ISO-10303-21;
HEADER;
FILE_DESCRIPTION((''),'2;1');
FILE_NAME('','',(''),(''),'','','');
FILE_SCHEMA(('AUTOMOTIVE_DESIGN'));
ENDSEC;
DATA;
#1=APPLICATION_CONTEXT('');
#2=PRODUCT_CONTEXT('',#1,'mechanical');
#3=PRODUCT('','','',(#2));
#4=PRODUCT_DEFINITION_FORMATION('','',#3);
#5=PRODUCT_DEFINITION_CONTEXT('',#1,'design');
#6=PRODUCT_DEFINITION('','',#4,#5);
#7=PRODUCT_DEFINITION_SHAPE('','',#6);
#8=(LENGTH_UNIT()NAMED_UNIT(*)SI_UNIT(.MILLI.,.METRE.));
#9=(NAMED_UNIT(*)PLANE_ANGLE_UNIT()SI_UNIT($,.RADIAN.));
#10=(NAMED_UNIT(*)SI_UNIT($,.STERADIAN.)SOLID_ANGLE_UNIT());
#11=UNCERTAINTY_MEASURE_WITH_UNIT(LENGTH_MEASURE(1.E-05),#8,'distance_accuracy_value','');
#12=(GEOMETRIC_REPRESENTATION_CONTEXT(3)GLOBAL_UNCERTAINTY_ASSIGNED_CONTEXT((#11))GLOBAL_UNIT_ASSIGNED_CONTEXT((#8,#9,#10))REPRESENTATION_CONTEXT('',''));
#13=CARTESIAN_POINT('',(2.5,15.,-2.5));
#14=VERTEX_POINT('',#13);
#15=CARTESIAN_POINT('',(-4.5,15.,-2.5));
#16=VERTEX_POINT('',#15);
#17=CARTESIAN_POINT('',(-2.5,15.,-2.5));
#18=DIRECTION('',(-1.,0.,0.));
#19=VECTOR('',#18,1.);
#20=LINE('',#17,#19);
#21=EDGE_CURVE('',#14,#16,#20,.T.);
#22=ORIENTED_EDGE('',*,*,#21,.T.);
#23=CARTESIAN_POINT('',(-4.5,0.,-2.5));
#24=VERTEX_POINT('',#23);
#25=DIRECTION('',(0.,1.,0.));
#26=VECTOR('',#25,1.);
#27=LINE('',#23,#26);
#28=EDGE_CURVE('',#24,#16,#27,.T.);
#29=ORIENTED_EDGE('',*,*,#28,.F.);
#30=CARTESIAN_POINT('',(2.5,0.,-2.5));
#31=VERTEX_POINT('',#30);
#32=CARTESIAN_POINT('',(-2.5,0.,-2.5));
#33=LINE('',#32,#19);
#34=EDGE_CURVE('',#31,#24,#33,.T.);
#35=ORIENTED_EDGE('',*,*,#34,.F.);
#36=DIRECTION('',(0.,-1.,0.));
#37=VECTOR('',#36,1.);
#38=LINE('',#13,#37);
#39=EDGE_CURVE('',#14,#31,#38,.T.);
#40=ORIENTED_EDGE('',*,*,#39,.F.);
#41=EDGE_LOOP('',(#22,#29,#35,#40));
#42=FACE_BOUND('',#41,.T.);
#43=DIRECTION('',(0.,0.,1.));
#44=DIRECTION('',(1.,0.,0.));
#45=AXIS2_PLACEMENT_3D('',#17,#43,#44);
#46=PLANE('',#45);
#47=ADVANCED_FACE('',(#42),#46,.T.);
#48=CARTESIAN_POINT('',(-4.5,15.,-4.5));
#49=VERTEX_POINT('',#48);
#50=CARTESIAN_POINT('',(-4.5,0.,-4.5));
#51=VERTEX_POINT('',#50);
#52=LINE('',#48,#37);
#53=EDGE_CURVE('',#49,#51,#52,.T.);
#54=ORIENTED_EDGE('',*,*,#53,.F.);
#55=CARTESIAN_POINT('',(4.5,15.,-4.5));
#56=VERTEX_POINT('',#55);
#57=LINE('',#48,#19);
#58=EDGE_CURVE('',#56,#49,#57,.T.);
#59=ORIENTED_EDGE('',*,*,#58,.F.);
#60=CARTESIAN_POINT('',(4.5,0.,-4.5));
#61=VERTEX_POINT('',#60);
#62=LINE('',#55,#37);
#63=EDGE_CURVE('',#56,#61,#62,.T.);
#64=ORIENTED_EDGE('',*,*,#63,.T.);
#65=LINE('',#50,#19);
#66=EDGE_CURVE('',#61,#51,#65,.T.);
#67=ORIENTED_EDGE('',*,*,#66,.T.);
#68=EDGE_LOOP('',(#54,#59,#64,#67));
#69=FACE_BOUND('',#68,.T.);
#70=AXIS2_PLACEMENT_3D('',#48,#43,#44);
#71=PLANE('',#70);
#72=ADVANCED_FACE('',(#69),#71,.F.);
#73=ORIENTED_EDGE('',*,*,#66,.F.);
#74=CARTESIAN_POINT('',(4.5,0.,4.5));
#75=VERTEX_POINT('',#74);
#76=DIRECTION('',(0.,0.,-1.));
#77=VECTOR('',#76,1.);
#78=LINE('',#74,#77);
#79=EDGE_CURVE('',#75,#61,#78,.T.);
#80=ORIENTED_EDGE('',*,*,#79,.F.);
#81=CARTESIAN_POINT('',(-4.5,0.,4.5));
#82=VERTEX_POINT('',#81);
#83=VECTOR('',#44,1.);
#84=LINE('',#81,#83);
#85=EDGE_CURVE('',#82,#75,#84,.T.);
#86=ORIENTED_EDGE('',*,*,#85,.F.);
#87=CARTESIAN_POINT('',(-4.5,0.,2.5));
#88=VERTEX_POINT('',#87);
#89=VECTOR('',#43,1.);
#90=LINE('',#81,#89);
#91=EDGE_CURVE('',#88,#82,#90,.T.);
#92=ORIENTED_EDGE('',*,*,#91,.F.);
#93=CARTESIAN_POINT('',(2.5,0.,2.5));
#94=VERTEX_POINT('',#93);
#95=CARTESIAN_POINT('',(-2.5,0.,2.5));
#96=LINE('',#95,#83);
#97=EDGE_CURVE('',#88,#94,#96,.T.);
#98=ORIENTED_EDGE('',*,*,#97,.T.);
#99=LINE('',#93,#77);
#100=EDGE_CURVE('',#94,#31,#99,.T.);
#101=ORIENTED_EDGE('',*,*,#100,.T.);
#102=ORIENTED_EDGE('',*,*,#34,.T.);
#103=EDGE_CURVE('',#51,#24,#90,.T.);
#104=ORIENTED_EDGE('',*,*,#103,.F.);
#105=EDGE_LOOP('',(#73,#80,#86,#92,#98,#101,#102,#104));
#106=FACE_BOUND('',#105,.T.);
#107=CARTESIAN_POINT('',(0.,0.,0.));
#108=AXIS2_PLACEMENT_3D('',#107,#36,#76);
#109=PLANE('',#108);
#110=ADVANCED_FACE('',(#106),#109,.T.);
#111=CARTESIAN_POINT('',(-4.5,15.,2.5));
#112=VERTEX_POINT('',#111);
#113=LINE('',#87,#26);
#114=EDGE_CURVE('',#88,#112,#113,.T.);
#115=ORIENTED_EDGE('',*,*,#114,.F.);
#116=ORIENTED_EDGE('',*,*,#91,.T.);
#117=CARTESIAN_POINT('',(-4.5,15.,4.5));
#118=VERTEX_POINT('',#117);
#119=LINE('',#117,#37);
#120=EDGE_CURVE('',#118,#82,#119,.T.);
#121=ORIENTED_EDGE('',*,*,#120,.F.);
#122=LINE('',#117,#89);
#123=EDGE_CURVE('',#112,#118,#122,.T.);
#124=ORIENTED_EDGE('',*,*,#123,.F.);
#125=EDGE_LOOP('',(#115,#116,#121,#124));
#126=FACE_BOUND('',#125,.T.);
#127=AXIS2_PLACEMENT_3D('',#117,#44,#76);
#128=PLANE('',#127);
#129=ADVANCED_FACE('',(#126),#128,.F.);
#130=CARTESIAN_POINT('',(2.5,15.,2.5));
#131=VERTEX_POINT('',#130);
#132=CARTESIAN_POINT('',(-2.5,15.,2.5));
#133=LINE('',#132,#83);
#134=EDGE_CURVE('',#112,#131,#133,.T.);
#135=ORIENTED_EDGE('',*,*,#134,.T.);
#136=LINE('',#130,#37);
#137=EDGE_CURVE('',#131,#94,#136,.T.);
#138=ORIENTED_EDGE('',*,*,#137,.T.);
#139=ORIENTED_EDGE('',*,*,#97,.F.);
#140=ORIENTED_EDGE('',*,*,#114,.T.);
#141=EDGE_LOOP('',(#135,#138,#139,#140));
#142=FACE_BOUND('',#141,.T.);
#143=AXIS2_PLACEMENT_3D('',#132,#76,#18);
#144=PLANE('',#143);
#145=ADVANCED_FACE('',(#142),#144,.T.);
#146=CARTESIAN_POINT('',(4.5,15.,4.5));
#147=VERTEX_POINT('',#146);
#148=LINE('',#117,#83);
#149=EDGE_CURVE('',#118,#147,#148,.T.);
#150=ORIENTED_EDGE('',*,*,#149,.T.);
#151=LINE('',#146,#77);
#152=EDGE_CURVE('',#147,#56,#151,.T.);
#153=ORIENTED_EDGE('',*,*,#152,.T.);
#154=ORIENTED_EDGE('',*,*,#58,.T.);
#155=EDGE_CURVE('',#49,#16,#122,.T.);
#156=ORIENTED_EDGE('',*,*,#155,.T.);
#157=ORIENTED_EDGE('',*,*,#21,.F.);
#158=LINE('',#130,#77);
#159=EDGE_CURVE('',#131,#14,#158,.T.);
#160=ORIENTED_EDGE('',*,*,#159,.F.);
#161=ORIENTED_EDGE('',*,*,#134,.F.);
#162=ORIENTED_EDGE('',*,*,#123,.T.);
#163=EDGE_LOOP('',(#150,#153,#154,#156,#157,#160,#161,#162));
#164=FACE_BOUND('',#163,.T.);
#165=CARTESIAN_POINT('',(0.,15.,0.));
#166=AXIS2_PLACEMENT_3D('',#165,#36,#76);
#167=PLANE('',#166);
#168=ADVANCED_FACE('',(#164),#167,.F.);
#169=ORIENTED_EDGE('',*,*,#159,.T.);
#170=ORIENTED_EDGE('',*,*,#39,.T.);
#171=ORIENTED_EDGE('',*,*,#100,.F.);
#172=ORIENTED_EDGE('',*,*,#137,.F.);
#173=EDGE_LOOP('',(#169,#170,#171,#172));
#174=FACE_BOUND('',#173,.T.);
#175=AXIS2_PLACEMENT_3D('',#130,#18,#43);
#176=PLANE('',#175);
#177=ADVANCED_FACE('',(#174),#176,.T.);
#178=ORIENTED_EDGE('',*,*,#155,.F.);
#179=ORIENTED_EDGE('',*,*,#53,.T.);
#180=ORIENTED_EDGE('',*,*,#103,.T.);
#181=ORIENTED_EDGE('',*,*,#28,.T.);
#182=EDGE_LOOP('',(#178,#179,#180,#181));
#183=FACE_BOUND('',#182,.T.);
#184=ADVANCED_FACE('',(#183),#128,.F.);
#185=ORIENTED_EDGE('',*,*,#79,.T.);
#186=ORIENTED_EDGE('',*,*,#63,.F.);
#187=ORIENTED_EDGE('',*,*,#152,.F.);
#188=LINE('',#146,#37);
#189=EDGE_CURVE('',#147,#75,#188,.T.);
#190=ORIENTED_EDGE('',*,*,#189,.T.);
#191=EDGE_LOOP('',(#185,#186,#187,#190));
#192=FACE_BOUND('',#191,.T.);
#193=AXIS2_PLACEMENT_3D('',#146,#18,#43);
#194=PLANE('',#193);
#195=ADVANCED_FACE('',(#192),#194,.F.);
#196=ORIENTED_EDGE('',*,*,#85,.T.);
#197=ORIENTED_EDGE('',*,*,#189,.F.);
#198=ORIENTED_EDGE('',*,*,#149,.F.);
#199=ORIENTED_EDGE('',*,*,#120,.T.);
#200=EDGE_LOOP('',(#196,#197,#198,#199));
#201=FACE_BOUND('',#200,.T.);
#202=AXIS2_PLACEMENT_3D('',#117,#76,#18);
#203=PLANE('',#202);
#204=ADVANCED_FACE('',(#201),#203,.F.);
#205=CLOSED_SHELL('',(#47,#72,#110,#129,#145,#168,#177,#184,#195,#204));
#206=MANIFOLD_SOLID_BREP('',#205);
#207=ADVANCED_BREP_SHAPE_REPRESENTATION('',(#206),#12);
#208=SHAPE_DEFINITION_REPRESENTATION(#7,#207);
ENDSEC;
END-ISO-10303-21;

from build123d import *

# Parameters (mm, degrees)
SKETCH1_W           = 9
SKETCH1_H           = 9
SKETCH1_W_2         = 5
SKETCH1_H_2         = 5
BOSS_EXTRUDE1_DEPTH = 15
SKETCH2_W           = 2
SKETCH2_H           = 5
CUT_EXTRUDE1_DEPTH  = 17.294170737


with BuildPart() as part:
    # Sketch1 → Boss-Extrude1 (new body)
    with BuildSketch(Plane(origin=(0, 0, 0), x_dir=(1, 0, 0), z_dir=(0, 1, 0))):
        Rectangle(SKETCH1_W, SKETCH1_H)
        Rectangle(SKETCH1_W_2, SKETCH1_H_2, mode=Mode.SUBTRACT)
    extrude(amount=BOSS_EXTRUDE1_DEPTH)

    # Sketch2 → Cut-Extrude1 (cut, through all)
    with BuildSketch(Plane(origin=(0, 15, 0), x_dir=(1, 0, 0), z_dir=(0, 1, 0))):
        with Locations((-3.5, 0)):
            Rectangle(SKETCH2_W, SKETCH2_H)
    extrude(amount=-CUT_EXTRUDE1_DEPTH, mode=Mode.SUBTRACT)


solid = part.part
